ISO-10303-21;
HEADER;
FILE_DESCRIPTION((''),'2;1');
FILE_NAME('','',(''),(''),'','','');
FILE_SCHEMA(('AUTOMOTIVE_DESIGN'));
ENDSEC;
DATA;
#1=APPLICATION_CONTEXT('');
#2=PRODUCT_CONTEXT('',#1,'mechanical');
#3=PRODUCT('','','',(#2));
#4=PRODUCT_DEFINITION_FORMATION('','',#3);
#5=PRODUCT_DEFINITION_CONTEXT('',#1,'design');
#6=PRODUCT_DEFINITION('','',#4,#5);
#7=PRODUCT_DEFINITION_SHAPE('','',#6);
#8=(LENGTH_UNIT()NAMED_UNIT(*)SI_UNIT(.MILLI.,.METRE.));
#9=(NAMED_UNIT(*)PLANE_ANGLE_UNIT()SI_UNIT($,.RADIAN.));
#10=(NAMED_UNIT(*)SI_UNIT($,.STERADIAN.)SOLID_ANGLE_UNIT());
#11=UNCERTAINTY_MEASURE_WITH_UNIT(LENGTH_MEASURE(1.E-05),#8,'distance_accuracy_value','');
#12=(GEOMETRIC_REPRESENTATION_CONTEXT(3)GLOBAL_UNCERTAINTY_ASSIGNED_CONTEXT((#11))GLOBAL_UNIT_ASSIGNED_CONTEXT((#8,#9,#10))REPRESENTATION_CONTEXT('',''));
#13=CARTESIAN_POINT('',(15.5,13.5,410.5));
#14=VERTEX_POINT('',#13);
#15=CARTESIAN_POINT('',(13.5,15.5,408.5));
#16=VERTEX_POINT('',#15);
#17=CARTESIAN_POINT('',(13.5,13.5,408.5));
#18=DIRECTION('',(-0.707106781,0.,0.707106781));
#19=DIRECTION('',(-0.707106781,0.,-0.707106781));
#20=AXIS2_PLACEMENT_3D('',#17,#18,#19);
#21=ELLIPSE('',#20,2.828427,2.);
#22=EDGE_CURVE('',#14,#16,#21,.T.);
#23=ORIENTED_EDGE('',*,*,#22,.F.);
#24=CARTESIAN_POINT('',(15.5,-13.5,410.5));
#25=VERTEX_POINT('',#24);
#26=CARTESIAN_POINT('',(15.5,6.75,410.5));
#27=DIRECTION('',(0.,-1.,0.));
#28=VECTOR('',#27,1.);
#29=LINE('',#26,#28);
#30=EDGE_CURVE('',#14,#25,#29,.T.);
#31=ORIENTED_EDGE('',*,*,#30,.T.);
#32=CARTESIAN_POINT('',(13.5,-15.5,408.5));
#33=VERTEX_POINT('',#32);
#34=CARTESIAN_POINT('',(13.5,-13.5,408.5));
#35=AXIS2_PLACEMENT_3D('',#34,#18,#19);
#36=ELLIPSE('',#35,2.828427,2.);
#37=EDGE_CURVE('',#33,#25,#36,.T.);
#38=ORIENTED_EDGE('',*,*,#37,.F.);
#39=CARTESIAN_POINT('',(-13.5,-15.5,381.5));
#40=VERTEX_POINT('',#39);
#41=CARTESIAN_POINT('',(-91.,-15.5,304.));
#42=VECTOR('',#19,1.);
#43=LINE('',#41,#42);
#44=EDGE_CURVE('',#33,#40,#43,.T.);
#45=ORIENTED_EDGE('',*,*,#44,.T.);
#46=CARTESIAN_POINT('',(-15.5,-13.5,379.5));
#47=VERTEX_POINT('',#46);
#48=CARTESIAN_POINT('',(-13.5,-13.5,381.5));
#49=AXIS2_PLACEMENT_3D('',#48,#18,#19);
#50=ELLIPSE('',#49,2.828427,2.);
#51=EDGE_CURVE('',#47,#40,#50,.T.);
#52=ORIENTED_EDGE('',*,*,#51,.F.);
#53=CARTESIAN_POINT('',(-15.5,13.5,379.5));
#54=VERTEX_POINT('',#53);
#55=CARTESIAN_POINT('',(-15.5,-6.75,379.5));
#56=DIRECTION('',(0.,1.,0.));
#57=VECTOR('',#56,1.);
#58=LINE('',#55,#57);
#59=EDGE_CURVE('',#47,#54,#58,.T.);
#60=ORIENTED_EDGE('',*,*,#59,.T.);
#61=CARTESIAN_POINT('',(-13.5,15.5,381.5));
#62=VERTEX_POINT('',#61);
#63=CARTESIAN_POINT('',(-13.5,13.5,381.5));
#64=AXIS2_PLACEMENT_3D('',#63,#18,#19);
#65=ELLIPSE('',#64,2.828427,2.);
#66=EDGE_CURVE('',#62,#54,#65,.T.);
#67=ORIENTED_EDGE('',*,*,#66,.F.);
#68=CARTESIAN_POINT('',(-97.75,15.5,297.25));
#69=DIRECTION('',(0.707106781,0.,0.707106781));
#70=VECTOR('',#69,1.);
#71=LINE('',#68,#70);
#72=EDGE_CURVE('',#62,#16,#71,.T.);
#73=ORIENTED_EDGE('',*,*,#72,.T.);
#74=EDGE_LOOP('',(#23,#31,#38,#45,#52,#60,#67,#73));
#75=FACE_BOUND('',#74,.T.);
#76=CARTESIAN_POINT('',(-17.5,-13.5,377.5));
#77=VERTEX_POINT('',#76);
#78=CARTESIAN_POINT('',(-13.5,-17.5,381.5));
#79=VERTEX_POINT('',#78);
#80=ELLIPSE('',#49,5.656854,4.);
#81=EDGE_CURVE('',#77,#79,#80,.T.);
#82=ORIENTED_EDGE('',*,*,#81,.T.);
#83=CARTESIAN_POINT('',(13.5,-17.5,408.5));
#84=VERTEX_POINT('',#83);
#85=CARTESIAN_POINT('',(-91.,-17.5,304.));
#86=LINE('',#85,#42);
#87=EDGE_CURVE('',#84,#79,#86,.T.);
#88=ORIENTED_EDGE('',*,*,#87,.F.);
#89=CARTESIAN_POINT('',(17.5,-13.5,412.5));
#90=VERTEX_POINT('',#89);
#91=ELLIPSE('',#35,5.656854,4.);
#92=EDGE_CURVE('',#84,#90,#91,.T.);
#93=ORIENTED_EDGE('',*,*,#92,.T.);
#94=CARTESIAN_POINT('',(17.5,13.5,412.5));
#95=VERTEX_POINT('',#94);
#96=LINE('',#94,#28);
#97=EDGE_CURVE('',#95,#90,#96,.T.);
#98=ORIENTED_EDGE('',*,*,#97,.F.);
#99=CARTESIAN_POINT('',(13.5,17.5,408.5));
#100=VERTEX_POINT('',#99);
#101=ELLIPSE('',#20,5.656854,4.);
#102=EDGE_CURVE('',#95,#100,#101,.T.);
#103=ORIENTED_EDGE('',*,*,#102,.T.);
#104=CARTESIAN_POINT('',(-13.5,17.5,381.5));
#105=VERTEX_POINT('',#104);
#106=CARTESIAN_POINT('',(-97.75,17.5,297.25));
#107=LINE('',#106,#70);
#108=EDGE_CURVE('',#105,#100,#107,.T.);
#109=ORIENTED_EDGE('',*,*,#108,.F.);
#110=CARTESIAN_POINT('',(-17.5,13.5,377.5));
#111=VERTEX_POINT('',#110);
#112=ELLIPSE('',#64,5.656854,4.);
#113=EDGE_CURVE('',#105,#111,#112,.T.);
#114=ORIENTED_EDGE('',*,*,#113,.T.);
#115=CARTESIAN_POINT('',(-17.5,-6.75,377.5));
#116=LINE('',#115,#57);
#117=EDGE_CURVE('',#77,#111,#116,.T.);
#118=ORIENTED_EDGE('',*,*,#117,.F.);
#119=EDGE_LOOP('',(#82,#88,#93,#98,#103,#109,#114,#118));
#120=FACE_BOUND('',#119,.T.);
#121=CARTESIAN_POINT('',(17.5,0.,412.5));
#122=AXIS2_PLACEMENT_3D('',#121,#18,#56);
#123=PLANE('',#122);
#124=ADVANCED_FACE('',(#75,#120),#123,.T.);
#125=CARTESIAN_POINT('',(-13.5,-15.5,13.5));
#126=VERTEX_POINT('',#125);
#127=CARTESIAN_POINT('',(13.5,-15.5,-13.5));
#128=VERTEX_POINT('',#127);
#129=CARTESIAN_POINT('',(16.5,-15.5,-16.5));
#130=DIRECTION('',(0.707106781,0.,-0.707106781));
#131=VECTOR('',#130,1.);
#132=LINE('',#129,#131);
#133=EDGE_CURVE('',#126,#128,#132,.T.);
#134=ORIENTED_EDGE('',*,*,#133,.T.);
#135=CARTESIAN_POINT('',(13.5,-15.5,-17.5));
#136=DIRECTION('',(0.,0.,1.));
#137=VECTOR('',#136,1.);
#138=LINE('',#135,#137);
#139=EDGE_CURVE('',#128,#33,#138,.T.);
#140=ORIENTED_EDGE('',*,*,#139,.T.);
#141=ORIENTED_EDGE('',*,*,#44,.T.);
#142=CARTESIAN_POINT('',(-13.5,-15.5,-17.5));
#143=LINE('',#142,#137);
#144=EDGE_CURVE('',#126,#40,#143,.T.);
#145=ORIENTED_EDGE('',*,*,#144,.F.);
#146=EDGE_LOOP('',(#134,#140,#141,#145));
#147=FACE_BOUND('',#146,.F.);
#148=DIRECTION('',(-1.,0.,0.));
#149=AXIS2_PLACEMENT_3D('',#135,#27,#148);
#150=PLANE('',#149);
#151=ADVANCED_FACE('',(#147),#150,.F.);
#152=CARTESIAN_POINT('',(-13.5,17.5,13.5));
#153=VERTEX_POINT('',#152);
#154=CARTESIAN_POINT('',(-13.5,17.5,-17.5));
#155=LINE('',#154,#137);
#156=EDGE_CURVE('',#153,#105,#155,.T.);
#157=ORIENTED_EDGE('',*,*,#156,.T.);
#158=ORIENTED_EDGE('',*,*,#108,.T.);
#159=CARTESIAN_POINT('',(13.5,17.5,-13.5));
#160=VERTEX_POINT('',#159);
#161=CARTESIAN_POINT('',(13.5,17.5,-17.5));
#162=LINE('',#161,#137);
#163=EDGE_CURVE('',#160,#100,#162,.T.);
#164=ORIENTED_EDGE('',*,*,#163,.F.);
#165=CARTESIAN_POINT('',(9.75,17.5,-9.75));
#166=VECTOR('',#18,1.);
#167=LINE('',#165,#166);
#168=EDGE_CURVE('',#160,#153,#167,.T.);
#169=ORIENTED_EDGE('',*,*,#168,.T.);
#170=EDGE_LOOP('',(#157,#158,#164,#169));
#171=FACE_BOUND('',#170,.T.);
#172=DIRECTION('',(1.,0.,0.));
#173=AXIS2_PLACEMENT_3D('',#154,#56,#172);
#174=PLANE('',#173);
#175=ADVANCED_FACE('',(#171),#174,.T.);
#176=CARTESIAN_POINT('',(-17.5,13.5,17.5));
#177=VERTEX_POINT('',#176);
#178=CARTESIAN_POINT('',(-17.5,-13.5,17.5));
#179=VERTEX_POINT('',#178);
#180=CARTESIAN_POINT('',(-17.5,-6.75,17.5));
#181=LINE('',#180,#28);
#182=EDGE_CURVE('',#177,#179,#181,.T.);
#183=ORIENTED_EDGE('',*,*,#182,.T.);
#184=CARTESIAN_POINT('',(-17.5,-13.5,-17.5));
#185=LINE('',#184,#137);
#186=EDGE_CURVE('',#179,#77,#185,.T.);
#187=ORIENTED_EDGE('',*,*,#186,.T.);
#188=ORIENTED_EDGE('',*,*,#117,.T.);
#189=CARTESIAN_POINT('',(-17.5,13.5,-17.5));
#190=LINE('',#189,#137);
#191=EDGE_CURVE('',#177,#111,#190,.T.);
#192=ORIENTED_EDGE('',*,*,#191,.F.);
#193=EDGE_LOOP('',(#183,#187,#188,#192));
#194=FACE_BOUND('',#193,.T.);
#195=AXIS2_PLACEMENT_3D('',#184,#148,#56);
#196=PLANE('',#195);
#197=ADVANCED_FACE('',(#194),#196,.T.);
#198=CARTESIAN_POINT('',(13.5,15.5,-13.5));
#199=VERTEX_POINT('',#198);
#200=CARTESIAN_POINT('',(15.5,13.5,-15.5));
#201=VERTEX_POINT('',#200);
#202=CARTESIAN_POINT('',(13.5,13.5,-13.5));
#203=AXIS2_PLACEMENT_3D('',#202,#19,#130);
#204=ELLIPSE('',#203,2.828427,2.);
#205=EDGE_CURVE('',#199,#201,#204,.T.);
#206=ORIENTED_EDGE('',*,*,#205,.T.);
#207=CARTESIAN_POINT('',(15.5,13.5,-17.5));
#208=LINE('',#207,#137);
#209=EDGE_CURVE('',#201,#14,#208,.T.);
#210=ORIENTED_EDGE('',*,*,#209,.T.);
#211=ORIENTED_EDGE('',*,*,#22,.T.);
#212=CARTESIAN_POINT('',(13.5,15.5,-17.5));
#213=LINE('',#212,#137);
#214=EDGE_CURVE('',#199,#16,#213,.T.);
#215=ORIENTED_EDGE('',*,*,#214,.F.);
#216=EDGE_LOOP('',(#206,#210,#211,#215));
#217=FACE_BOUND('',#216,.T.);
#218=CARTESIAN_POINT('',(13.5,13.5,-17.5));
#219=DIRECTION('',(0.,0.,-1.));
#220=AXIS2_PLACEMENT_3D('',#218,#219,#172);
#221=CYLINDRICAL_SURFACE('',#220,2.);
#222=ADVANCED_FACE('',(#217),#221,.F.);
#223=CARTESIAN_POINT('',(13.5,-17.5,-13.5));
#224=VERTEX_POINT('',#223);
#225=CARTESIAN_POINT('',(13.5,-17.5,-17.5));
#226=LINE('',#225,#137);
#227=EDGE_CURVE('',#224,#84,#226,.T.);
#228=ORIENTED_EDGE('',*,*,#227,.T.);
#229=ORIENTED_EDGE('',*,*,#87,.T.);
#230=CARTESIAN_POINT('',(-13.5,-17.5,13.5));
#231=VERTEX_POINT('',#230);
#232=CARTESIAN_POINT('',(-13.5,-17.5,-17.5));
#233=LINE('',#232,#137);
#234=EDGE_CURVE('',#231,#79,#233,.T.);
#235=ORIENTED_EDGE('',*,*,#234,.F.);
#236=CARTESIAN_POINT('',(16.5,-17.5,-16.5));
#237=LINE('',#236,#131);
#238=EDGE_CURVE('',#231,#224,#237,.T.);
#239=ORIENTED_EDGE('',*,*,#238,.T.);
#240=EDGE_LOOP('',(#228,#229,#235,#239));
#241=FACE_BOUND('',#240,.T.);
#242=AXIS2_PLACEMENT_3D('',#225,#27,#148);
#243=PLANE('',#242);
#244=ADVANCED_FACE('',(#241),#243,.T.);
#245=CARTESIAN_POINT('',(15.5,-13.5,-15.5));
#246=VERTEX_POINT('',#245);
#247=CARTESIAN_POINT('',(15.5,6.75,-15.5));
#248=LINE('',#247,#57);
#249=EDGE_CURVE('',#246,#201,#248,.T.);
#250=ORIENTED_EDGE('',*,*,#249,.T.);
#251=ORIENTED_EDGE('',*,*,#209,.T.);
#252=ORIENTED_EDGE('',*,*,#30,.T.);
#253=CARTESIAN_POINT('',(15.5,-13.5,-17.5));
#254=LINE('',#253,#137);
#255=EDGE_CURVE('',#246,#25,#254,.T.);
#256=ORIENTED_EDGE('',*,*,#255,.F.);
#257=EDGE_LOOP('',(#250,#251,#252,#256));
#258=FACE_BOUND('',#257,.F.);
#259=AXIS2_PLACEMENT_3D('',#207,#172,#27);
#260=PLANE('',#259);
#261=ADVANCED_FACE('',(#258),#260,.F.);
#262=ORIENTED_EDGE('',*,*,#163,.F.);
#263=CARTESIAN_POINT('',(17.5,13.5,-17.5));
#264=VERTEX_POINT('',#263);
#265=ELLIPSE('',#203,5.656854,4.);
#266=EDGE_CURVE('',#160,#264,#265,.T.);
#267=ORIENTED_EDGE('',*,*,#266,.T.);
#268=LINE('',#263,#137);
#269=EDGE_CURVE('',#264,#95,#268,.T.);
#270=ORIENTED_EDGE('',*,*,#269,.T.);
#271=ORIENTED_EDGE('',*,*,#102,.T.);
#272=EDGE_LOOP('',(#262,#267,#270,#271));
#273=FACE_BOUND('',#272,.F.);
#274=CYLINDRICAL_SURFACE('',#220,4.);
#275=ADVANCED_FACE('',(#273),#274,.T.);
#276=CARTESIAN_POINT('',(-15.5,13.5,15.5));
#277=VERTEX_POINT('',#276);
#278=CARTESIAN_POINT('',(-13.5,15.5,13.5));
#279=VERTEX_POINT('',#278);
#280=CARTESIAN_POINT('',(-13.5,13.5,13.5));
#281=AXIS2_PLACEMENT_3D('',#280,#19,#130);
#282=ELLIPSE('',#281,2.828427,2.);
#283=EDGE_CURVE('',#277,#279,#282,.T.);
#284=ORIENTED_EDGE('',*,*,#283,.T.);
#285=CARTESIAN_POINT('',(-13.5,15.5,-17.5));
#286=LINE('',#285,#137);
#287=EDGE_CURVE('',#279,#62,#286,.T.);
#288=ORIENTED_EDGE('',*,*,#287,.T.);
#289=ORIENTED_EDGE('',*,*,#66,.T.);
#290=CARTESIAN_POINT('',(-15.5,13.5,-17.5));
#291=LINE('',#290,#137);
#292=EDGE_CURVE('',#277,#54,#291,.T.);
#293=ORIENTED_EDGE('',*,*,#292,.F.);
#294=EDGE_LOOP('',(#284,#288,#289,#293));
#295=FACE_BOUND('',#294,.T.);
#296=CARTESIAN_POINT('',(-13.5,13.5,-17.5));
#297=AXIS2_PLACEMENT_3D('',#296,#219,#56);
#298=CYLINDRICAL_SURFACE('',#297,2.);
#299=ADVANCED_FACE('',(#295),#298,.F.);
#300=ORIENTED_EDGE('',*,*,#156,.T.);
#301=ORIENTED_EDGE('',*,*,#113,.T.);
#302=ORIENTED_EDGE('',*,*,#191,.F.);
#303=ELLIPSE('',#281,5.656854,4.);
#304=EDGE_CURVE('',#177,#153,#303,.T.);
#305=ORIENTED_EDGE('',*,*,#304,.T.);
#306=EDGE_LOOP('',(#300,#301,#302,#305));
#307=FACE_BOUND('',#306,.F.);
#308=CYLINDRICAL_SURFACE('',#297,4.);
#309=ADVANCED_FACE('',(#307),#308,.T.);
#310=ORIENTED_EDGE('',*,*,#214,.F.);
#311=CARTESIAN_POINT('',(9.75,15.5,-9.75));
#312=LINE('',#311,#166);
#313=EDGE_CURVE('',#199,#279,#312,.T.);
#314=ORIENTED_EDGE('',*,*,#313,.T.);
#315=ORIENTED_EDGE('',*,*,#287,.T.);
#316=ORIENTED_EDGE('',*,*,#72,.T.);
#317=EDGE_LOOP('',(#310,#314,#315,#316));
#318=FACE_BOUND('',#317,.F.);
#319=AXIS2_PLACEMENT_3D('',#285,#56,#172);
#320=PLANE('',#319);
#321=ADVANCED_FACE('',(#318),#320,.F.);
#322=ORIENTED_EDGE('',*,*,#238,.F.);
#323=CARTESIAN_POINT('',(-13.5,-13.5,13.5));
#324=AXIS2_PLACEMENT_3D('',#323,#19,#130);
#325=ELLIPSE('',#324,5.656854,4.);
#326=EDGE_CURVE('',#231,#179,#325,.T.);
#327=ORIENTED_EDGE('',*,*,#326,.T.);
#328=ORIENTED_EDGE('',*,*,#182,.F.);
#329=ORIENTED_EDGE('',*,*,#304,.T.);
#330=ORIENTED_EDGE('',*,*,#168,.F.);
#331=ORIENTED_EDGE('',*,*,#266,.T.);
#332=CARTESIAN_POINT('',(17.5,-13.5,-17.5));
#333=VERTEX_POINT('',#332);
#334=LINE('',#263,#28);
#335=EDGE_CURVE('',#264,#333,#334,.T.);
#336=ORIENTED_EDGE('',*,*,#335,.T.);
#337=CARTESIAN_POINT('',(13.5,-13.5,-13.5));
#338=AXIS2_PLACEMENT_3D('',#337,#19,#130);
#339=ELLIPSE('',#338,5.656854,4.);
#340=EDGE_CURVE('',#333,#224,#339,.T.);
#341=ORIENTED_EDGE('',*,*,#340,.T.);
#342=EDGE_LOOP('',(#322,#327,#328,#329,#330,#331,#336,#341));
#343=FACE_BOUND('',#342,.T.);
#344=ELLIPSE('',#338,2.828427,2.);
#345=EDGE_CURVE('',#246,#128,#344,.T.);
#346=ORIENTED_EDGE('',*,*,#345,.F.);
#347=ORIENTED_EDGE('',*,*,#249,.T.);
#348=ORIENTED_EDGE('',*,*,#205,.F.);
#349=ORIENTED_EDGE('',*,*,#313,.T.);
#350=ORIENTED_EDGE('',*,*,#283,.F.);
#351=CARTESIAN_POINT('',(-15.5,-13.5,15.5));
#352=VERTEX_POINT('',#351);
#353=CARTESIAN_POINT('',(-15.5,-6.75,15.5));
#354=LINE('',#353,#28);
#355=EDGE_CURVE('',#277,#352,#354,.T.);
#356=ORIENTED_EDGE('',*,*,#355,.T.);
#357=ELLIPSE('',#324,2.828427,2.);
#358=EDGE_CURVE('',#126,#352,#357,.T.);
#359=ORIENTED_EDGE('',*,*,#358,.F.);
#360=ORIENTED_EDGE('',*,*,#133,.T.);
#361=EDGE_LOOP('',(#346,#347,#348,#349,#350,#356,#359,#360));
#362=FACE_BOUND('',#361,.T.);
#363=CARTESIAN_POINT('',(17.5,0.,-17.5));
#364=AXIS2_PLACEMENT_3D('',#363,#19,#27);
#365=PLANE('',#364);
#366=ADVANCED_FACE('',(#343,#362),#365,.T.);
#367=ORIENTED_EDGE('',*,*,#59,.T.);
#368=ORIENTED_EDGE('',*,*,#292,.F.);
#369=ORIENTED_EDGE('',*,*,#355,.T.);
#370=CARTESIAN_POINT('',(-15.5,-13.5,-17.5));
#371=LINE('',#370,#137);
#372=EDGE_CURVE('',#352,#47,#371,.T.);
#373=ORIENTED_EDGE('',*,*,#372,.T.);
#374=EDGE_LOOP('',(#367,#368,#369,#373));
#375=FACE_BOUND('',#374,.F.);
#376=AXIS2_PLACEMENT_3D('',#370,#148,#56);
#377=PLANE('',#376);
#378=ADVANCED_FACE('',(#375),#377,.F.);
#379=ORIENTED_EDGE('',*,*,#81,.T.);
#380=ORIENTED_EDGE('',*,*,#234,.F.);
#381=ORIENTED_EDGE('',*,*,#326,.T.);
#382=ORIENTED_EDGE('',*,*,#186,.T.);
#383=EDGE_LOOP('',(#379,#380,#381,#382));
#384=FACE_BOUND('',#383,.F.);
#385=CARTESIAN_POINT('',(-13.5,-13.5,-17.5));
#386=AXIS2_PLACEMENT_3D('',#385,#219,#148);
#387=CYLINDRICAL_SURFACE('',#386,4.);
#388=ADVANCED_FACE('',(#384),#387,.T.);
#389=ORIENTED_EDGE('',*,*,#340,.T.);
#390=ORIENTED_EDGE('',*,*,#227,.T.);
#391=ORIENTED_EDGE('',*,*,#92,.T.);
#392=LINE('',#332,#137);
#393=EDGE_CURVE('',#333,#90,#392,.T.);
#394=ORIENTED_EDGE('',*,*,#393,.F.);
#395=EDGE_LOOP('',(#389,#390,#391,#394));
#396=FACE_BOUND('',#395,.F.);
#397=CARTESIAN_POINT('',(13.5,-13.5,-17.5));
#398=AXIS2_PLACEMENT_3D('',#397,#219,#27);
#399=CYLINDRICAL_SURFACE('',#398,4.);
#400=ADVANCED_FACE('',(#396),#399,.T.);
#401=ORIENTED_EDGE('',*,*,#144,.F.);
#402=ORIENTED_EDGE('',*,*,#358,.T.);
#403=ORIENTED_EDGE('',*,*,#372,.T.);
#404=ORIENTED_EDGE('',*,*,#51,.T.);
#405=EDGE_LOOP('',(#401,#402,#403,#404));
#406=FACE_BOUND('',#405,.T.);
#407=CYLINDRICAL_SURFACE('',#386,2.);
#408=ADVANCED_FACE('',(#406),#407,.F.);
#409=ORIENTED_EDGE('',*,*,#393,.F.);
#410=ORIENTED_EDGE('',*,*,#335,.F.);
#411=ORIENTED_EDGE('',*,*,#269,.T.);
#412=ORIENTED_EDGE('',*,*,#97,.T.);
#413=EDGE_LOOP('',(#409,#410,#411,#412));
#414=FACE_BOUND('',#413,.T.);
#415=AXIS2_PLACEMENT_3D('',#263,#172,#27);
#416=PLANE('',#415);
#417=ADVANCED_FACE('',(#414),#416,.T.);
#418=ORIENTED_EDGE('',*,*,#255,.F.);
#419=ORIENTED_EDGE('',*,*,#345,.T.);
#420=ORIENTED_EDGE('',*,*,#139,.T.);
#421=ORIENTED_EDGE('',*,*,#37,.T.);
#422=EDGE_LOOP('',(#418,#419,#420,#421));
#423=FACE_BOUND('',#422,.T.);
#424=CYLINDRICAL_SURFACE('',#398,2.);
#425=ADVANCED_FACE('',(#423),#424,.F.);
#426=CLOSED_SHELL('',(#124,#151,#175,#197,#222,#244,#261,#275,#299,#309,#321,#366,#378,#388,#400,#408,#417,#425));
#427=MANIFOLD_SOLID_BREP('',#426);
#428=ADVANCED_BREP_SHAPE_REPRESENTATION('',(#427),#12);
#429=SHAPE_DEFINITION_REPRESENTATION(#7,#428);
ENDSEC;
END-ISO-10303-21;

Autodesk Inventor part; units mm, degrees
ref_plane "Start plane" through (0, 0, -17.5) normal (0, 0, 1) x (1, 0, 0)
ref_plane "End plane" through (0, 0, 412.5) normal (0, 0, 1) x (1, 0, 0)
sketch "Sketch" plane through (0, 0, 0) normal (0, 0, 1) x (1, 0, 0)
  line L0 (-17.5, -13.5) -> (-17.5, 13.5)
  line L1 (-13.5, 17.5) -> (13.5, 17.5)
  line L2 (17.5, 13.5) -> (17.5, -13.5)
  line L3 (13.5, -17.5) -> (-13.5, -17.5)
  arc A0 (-17.5, -13.5) -> (-13.5, -17.5) centre (-13.5, -13.5) ccw
  arc A1 (-13.5, 17.5) -> (-17.5, 13.5) centre (-13.5, 13.5) ccw
  arc A2 (17.5, 13.5) -> (13.5, 17.5) centre (13.5, 13.5) ccw
  arc A3 (13.5, -17.5) -> (17.5, -13.5) centre (13.5, -13.5) ccw
  arc A4 (-13.5, 15.5) -> (-15.5, 13.5) centre (-13.5, 13.5) ccw
  line L4 (-13.5, 15.5) -> (13.5, 15.5)
  arc A5 (15.5, 13.5) -> (13.5, 15.5) centre (13.5, 13.5) ccw
  line L5 (15.5, 13.5) -> (15.5, -13.5)
  arc A6 (13.5, -15.5) -> (15.5, -13.5) centre (13.5, -13.5) ccw
  line L6 (13.5, -15.5) -> (-13.5, -15.5)
  arc A7 (-15.5, -13.5) -> (-13.5, -15.5) centre (-13.5, -13.5) ccw
  line L7 (-15.5, -13.5) -> (-15.5, 13.5)
  line L8 (0, 25.6598) -> (0, -25.6598) construction
  line L9 (-25.6598, 0) -> (25.6598, 0) construction
  dimension "d7" = 4
  dimension "d10" = 35
  dimension "d11" = 35
  dimension "d12" = 2
  dimension "d15" = 17.5
  dimension "d16" = 17.5
extrude "Body" add sketch "Sketch" along normal up to surface (430 mm away) from surface at -17.5
sketch "Sketch3" plane through (0, 0, 0) normal (0, 0, 1) x (1, 0, 0)
  line L0 (0, 0) -> (10, 0)
ref_plane "Work Plane3" through (0, 0, 0) normal (0, -1, 0) x (1, 0, 0)
sketch "Sketch4" plane through (0, 0, 0) normal (0, -1, 0) x (1, 0, 0)
  line L0 (-2, -17.5) -> (12, -17.5)
  line L1 (-2, 412.5) -> (12, 412.5)
  dimension "d18" = 430
ref_plane "Work Plane12" through (0, 180, -17.5) normal (0, 0, -1) x (-1, 0, 0)
split "Split6" plane through (0, 180, -17.5) removes the side toward (0, 0, -1)
ref_plane "Work Plane13" through (17.5, 0, -17.5) normal (-0.7071, 0, -0.7071) x (-0.7071, 0, 0.7071)
split "Split7" plane through (17.5, 0, -17.5) removes the side toward (-0.7071, 0, -0.7071)
ref_plane "Work Plane14" through (17.5, 0, 412.5) normal (-0.7071, 0, 0.7071) x (0.7071, 0, 0.7071)
split "Split8" plane through (17.5, 0, 412.5) removes the side toward (-0.7071, 0, 0.7071)
equation "\"d7\" = G_IR"
equation "\"d10\" = G_H"
equation "\"d11\" = G_W"
equation "\"d12\" = G_T"
equation "\"d15\" = 0.5 * d10"
equation "\"d16\" = 0.5 * d11"
equation "\"d3\" = G_L"
equation "\"G_W\" = 35"
equation "\"G_H\" = 35"
equation "\"G_T\" = 2"
equation "\"G_IR\" = 4"
equation "\"G_L\" = d18"
equation "\"G_OFFSET_START\" = 17.5"
equation "\"G_OFFSET_END\" = 17.5"
equation "\"d13\" = -G_OFFSET_START"
equation "\"d14\" = G_OFFSET_END + B_L"
equation "\"B_L\" = 395"
properties part number "AS 1163 - C350L0 35x35x2.0 SHS - 430" material "Steel, Mild"
